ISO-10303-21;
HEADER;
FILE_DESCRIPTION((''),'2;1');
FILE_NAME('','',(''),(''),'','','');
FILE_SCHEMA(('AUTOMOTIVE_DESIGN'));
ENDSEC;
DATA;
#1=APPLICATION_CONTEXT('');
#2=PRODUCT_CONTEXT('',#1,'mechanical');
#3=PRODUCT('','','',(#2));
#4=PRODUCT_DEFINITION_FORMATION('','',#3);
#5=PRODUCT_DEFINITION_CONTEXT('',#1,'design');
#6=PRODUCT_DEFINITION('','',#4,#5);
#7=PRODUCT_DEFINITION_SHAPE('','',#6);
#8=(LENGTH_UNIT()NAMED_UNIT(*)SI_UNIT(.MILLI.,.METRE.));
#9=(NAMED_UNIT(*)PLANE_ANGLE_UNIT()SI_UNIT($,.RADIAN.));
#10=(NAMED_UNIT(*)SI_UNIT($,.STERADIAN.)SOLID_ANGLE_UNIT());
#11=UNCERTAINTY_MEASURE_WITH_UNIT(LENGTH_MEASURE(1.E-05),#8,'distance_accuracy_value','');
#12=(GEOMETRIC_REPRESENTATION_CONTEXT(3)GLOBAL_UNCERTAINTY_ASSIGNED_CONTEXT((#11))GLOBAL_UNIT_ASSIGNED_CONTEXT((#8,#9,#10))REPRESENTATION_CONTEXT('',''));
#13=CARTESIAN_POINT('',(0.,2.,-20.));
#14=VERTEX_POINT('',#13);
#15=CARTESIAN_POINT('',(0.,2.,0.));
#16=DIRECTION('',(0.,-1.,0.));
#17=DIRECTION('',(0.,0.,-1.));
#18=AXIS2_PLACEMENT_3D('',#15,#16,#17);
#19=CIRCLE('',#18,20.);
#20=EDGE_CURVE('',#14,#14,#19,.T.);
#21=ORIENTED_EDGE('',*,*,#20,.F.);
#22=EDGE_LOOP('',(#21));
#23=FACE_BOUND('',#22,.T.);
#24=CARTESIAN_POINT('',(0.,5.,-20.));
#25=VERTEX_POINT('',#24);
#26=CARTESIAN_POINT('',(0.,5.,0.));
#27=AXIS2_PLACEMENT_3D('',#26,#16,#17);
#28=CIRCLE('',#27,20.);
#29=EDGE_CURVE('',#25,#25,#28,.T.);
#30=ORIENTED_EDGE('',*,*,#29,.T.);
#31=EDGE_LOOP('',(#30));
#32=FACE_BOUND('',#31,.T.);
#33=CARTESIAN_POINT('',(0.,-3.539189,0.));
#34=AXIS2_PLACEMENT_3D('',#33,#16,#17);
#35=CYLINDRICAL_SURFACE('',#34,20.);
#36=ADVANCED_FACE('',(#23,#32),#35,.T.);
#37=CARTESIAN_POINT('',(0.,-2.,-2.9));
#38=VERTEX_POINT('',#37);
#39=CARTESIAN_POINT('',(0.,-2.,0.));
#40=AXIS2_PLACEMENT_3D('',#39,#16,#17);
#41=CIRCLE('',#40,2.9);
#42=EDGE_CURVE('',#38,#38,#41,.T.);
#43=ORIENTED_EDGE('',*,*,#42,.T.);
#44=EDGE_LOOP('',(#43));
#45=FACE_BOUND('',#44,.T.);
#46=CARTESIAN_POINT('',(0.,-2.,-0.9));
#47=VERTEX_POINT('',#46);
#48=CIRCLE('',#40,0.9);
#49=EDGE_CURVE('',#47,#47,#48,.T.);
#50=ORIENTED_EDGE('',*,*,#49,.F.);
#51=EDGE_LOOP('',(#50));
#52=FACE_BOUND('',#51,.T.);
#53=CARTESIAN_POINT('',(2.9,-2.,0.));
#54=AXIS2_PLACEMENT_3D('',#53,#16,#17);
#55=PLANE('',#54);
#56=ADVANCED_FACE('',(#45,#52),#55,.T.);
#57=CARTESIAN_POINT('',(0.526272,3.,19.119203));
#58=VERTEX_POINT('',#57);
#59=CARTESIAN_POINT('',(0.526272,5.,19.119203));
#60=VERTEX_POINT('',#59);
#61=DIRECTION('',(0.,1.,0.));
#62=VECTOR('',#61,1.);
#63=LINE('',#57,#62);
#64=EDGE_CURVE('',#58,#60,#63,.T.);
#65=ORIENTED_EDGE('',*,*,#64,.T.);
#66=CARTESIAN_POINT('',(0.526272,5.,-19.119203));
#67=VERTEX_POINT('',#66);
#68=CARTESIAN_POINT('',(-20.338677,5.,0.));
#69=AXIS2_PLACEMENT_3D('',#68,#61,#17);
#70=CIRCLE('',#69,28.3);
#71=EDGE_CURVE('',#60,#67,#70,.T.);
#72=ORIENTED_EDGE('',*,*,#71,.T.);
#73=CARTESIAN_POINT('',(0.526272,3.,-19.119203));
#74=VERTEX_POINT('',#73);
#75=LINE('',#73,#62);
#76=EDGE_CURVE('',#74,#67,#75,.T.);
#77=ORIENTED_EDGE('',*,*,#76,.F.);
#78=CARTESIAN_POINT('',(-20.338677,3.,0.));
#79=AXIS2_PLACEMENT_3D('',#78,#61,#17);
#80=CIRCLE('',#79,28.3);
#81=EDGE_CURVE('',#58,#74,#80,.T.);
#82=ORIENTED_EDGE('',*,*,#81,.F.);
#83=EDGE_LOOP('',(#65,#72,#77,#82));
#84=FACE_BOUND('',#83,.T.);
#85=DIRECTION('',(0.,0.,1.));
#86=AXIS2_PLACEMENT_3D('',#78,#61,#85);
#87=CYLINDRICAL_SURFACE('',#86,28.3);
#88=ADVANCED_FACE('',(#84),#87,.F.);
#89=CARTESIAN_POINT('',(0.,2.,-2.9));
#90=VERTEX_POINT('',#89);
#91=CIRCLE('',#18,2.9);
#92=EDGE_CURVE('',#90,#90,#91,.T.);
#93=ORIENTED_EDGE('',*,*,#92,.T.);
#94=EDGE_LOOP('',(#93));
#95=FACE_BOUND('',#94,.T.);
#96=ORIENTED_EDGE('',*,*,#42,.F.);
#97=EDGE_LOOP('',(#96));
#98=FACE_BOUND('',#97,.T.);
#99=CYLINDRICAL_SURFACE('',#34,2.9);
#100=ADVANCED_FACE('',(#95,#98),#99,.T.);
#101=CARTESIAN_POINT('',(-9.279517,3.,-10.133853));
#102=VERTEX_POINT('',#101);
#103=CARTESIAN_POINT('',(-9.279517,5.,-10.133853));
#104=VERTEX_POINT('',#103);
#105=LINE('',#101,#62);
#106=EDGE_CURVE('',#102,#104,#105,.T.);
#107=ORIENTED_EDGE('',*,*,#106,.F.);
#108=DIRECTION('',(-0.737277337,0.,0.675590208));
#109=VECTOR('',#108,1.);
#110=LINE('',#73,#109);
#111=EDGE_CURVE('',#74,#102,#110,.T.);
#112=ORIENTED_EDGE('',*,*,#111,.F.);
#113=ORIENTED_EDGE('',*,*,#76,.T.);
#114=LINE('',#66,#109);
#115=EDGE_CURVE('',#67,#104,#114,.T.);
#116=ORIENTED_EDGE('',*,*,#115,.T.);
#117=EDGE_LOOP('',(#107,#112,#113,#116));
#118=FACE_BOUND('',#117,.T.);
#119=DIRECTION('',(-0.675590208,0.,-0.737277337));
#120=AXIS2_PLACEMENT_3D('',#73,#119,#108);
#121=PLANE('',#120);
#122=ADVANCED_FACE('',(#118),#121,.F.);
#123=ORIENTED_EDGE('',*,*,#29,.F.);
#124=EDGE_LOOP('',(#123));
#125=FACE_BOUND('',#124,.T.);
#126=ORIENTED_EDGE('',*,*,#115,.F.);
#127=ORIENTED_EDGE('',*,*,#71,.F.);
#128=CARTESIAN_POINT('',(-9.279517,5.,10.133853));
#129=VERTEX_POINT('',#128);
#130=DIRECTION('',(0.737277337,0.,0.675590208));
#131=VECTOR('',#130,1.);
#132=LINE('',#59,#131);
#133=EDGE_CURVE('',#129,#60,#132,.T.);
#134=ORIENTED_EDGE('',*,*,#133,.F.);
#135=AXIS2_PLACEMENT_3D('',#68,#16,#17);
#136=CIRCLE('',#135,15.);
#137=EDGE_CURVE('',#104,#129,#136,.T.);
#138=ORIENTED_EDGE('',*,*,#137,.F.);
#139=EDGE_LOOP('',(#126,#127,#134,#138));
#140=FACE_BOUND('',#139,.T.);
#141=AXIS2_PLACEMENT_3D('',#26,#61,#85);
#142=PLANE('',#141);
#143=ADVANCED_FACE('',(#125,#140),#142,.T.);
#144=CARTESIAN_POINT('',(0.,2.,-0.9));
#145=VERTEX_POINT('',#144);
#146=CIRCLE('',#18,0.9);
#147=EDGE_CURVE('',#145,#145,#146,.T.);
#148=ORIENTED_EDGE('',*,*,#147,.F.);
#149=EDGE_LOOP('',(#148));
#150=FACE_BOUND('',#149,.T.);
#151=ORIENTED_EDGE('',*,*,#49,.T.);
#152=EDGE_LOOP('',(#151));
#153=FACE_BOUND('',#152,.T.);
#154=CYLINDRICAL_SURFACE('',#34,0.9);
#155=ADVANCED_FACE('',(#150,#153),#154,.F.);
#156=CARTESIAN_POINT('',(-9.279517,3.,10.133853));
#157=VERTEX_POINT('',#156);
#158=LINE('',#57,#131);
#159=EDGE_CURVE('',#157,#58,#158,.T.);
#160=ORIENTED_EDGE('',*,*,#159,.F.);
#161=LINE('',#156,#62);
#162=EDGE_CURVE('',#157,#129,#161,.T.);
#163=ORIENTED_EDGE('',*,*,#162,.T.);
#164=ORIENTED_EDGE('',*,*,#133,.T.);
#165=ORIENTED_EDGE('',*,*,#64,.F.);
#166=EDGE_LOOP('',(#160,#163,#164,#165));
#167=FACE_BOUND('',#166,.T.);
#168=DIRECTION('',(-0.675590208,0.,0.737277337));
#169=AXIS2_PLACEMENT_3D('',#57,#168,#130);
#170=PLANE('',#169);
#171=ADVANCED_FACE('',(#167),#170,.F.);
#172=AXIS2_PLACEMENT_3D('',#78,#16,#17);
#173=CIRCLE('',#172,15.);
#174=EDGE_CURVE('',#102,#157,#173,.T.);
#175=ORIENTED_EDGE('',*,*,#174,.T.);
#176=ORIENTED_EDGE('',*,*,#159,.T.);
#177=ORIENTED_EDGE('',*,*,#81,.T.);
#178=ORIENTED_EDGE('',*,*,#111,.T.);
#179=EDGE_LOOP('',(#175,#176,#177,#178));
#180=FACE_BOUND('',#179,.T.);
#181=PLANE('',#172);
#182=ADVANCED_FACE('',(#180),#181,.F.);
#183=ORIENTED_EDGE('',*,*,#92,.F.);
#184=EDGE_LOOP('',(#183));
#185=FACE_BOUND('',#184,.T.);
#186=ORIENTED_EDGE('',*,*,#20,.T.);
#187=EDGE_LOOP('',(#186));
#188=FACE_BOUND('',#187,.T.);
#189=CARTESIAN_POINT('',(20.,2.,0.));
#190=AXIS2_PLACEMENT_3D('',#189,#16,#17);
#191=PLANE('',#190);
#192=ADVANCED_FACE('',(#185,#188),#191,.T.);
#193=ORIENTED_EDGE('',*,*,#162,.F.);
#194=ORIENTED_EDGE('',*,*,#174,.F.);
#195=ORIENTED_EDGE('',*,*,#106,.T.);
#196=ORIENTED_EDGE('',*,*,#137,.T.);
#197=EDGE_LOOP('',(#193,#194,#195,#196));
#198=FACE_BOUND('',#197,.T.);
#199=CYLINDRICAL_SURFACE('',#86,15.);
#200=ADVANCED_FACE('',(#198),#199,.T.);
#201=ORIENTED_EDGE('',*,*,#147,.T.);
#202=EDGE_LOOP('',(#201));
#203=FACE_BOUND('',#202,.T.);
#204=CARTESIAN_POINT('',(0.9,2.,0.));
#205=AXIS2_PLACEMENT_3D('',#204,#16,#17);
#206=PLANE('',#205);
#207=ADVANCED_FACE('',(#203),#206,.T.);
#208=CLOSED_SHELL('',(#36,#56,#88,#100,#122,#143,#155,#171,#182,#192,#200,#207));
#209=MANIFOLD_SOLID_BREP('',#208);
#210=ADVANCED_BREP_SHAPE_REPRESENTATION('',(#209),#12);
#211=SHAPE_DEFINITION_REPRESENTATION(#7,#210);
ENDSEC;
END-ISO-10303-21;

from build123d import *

# Parameters (mm, degrees)
CUT_EXTRUDE1_DEPTH = 2


with BuildPart() as part:
    # Sketch1 → Revolve1 (revolve)
    with BuildSketch(Plane.XY, mode=Mode.PRIVATE) as revolve1_sk:
        Polygon((0.9, -2), (0.9, 2), (0, 2), (0, 5), (20, 5), (20, 2), (2.9, 2), (2.9, -2), align=None)
    revolve(revolve1_sk.sketch.rotate(Axis((0, -3.539189189, 0), (0, 1, 0)), 90), axis=Axis((0, -3.539189189, 0), (0, 1, 0)))

    # Sketch2 → Cut-Extrude1 (cut)
    with BuildSketch(Plane(origin=(0, 5, 0), x_dir=(1, 0, 0), z_dir=(0, 1, 0))):
        with BuildLine():
            Line((0.526272079, 19.119202876), (-9.2795165, 10.133853114))
            ThreePointArc((-9.2795165, 10.133853114), (-5.338676553, 0), (-9.2795165, -10.133853114))
            Line((-9.2795165, -10.133853114), (0.526272079, -19.119202876))
            ThreePointArc((0.526272079, -19.119202876), (7.961323447, 0), (0.526272079, 19.119202876))
        make_face()
    extrude(amount=-CUT_EXTRUDE1_DEPTH, mode=Mode.SUBTRACT)


solid = part.part
